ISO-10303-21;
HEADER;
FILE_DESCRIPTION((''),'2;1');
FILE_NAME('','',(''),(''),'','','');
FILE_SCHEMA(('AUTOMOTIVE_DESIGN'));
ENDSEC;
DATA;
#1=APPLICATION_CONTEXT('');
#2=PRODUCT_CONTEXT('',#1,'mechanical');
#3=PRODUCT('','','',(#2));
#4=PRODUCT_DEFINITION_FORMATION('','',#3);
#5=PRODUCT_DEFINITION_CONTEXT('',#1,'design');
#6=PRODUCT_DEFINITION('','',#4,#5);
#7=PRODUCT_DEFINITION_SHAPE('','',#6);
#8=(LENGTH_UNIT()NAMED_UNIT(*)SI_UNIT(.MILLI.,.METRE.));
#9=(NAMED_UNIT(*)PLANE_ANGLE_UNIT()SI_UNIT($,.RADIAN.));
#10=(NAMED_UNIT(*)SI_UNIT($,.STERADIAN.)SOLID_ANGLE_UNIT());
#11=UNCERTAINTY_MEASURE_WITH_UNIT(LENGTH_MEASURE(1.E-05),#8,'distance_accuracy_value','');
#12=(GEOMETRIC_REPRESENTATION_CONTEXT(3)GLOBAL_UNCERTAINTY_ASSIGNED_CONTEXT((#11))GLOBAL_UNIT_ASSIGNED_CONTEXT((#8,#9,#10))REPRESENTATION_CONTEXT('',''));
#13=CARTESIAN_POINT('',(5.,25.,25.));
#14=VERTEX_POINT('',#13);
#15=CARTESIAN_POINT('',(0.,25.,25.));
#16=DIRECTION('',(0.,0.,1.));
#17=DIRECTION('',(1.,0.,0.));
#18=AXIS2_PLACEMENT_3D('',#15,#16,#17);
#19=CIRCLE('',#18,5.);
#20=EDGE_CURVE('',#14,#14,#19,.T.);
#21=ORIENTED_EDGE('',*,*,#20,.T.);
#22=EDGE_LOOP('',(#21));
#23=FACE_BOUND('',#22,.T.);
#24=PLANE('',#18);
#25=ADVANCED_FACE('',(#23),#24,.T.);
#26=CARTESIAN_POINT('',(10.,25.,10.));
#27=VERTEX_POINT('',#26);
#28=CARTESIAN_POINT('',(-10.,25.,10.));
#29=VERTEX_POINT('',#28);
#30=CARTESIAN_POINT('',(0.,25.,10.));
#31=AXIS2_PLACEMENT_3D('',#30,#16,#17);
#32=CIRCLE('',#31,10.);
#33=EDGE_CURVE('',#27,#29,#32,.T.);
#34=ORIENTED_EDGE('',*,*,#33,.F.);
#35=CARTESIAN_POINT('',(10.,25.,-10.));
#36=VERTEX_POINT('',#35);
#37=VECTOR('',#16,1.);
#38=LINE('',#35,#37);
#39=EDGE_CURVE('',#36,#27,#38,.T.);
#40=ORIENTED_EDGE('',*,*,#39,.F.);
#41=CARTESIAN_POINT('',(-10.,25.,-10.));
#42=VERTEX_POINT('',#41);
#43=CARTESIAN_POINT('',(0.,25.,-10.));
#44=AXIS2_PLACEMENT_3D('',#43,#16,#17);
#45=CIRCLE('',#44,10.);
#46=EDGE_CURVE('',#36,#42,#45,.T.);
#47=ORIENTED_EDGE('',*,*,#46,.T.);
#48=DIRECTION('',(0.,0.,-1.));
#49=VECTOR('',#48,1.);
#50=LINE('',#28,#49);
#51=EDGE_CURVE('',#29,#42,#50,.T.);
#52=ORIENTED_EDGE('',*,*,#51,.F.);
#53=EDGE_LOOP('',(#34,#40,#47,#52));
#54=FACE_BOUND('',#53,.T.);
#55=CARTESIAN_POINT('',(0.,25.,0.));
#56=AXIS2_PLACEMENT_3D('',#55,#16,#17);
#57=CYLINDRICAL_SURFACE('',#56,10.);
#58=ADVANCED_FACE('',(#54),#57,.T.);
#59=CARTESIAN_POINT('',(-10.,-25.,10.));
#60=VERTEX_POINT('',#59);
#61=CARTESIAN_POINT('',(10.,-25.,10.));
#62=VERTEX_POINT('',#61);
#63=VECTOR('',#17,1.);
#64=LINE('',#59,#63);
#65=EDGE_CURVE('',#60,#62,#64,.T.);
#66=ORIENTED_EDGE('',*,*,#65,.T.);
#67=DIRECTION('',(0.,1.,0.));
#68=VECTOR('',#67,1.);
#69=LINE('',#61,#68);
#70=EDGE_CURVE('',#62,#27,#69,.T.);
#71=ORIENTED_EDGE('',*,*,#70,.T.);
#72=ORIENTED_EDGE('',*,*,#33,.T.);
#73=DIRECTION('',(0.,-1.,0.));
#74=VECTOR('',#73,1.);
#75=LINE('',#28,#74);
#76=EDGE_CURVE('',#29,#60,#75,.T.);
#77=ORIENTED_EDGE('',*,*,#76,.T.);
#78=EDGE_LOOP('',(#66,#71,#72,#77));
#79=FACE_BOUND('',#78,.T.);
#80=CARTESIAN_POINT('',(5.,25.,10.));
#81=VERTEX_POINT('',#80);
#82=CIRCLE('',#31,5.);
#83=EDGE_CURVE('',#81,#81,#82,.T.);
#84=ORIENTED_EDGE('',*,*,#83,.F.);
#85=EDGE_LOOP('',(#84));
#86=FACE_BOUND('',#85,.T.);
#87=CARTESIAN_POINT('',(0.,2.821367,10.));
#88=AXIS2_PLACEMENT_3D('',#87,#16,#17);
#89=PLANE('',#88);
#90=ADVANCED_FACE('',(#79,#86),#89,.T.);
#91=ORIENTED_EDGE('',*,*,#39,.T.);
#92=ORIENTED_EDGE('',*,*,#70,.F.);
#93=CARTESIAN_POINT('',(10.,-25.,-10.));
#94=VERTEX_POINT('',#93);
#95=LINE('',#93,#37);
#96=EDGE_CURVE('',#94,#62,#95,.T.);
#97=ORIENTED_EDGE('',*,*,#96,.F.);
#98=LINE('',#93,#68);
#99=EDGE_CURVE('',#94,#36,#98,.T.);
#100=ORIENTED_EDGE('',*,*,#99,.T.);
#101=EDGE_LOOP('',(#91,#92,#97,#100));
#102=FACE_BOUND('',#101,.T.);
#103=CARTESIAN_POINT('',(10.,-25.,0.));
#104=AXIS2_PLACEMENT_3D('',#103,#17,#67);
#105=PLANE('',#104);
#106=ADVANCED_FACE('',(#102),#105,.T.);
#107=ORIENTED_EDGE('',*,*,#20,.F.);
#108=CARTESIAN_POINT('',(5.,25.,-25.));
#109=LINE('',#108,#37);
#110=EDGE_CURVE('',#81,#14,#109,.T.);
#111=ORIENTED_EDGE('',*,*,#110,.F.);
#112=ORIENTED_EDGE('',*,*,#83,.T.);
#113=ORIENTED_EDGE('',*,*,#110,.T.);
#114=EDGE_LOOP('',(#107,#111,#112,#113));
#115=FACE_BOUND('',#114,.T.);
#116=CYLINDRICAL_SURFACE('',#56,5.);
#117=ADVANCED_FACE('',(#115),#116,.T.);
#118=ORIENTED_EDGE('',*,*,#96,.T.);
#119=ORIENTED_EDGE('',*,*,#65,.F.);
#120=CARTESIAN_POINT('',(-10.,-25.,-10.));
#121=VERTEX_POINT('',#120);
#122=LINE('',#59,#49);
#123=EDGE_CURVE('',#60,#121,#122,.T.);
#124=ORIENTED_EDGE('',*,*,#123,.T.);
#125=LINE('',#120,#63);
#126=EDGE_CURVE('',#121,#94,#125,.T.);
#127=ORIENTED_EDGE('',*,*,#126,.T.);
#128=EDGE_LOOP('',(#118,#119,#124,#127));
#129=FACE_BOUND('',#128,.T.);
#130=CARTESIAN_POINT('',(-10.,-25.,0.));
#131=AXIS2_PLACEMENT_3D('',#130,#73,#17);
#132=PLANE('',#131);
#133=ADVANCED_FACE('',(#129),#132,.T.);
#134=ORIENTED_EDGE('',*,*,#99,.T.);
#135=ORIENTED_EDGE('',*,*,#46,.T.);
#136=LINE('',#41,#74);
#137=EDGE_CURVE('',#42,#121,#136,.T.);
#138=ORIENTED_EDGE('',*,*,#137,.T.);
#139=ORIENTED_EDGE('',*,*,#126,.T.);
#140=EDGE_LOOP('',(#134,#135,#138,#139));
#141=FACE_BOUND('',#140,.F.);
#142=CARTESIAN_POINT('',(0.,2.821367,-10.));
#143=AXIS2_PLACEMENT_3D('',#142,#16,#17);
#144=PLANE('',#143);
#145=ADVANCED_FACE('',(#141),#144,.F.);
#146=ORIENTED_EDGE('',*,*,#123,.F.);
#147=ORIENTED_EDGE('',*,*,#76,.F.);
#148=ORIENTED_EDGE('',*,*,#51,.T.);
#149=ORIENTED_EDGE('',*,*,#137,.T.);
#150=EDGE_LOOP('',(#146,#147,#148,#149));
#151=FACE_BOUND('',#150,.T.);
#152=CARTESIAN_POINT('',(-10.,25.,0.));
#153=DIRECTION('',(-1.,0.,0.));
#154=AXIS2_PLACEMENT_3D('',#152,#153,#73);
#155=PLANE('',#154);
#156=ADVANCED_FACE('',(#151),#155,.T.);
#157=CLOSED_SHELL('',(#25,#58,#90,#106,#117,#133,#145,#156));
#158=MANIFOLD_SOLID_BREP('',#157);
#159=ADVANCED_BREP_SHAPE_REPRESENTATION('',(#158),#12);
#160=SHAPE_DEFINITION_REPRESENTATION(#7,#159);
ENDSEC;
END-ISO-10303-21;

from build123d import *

# Parameters (mm, degrees)
F0_R      = 5
F1_DEPTH  = 10
F2_R      = 5
F3_DEPTH  = 25
F3_FACE_R = 5
F4_DEPTH  = 15


with BuildPart() as f1:
    # F0 (on Top) → F1 (new body, symmetric)
    with BuildSketch(Plane.XY):
        with BuildLine():
            Line((-10, -25), (10, -25))
            Line((10, -25), (10, 25))
            ThreePointArc((10, 25), (0, 35), (-10, 25))
            Line((-10, 25), (-10, -25))
        make_face()
        with Locations((0, 25)):
            Circle(F0_R, mode=Mode.SUBTRACT)
    extrude(amount=F1_DEPTH, both=True)

    # F2 (on Top) → F3 (join, symmetric)
    with BuildSketch(Plane.XY):
        with Locations((0, 25)):
            Circle(F2_R)
    extrude(amount=F3_DEPTH, both=True)

    # F3_face (on face) → F4 (cut)
    with BuildSketch(Plane(origin=(0, 25, -25), x_dir=(1, 0, 0), z_dir=(0, 0, -1))):
        Circle(F3_FACE_R)
    extrude(amount=-F4_DEPTH, mode=Mode.SUBTRACT)


solid = f1.part
